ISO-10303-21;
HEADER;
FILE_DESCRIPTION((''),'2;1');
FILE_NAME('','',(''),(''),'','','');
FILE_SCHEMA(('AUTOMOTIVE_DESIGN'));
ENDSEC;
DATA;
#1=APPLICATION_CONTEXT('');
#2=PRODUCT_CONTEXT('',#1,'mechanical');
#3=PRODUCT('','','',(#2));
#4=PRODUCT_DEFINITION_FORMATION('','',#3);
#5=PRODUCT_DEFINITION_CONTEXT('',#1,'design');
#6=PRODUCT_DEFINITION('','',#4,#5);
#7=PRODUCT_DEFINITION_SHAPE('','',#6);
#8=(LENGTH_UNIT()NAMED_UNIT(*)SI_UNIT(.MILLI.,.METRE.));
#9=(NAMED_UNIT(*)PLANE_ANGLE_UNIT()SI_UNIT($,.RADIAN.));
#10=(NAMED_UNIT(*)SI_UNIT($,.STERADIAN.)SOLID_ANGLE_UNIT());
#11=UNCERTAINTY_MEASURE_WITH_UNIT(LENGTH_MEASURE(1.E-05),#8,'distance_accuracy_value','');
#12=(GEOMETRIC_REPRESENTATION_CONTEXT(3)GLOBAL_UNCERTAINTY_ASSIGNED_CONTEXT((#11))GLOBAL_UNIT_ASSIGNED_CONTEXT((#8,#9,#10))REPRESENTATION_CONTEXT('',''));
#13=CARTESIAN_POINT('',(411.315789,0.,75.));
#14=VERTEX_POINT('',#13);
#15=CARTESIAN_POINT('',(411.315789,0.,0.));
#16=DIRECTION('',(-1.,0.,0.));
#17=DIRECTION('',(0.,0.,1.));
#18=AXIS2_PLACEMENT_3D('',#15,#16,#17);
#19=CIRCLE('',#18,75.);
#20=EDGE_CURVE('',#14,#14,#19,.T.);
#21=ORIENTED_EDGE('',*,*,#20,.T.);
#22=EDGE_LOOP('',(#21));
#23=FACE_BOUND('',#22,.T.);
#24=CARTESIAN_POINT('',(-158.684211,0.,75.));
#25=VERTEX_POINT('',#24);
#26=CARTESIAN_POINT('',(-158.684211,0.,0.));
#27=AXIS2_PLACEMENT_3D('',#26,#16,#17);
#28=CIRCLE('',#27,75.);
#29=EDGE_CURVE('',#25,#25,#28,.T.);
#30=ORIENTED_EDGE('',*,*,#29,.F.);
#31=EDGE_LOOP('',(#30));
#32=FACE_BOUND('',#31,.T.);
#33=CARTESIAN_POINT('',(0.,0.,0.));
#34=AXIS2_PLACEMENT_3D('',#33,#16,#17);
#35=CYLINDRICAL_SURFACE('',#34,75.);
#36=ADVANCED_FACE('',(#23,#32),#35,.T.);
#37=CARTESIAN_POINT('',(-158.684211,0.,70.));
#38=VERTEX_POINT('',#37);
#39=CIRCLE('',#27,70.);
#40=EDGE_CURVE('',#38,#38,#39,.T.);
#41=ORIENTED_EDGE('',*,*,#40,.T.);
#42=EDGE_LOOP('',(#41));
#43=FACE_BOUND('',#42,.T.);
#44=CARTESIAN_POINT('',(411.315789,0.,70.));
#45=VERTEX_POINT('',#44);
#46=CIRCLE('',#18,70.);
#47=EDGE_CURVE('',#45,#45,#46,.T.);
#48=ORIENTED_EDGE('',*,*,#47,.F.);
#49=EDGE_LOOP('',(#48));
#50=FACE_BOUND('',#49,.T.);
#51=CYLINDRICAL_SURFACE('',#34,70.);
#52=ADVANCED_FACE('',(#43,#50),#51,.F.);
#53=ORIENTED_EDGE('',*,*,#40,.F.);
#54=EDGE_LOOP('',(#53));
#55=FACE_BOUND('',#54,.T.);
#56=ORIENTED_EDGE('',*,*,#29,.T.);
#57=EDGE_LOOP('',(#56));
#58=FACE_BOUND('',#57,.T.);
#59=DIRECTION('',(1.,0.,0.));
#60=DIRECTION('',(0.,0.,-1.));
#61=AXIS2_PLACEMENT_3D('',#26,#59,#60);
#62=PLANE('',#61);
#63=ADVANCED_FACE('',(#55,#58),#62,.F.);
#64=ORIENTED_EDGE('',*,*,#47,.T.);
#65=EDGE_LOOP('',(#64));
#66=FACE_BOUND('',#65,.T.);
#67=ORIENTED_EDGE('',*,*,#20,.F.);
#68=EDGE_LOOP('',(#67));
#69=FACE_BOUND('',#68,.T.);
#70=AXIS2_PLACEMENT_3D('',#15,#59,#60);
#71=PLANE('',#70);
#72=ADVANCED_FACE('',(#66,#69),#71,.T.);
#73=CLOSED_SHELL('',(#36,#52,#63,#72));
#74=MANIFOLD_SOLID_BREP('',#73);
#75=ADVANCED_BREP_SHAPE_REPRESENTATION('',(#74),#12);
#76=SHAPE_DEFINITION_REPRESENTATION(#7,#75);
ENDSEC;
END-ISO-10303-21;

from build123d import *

# Parameters (mm, degrees)
SZKIC1_W = 570
SZKIC1_H = 5


with BuildPart() as part:
    # Szkic1 → Obrót1 (revolve)
    with BuildSketch(Plane.XY, mode=Mode.PRIVATE) as obr_t1_sk:
        with Locations((126.315789474, 72.5)):
            Rectangle(SZKIC1_W, SZKIC1_H)
    revolve(obr_t1_sk.sketch.rotate(Axis((0, 0, 0), (1, 0, 0)), 90), axis=Axis((0, 0, 0), (1, 0, 0)))


solid = part.part
